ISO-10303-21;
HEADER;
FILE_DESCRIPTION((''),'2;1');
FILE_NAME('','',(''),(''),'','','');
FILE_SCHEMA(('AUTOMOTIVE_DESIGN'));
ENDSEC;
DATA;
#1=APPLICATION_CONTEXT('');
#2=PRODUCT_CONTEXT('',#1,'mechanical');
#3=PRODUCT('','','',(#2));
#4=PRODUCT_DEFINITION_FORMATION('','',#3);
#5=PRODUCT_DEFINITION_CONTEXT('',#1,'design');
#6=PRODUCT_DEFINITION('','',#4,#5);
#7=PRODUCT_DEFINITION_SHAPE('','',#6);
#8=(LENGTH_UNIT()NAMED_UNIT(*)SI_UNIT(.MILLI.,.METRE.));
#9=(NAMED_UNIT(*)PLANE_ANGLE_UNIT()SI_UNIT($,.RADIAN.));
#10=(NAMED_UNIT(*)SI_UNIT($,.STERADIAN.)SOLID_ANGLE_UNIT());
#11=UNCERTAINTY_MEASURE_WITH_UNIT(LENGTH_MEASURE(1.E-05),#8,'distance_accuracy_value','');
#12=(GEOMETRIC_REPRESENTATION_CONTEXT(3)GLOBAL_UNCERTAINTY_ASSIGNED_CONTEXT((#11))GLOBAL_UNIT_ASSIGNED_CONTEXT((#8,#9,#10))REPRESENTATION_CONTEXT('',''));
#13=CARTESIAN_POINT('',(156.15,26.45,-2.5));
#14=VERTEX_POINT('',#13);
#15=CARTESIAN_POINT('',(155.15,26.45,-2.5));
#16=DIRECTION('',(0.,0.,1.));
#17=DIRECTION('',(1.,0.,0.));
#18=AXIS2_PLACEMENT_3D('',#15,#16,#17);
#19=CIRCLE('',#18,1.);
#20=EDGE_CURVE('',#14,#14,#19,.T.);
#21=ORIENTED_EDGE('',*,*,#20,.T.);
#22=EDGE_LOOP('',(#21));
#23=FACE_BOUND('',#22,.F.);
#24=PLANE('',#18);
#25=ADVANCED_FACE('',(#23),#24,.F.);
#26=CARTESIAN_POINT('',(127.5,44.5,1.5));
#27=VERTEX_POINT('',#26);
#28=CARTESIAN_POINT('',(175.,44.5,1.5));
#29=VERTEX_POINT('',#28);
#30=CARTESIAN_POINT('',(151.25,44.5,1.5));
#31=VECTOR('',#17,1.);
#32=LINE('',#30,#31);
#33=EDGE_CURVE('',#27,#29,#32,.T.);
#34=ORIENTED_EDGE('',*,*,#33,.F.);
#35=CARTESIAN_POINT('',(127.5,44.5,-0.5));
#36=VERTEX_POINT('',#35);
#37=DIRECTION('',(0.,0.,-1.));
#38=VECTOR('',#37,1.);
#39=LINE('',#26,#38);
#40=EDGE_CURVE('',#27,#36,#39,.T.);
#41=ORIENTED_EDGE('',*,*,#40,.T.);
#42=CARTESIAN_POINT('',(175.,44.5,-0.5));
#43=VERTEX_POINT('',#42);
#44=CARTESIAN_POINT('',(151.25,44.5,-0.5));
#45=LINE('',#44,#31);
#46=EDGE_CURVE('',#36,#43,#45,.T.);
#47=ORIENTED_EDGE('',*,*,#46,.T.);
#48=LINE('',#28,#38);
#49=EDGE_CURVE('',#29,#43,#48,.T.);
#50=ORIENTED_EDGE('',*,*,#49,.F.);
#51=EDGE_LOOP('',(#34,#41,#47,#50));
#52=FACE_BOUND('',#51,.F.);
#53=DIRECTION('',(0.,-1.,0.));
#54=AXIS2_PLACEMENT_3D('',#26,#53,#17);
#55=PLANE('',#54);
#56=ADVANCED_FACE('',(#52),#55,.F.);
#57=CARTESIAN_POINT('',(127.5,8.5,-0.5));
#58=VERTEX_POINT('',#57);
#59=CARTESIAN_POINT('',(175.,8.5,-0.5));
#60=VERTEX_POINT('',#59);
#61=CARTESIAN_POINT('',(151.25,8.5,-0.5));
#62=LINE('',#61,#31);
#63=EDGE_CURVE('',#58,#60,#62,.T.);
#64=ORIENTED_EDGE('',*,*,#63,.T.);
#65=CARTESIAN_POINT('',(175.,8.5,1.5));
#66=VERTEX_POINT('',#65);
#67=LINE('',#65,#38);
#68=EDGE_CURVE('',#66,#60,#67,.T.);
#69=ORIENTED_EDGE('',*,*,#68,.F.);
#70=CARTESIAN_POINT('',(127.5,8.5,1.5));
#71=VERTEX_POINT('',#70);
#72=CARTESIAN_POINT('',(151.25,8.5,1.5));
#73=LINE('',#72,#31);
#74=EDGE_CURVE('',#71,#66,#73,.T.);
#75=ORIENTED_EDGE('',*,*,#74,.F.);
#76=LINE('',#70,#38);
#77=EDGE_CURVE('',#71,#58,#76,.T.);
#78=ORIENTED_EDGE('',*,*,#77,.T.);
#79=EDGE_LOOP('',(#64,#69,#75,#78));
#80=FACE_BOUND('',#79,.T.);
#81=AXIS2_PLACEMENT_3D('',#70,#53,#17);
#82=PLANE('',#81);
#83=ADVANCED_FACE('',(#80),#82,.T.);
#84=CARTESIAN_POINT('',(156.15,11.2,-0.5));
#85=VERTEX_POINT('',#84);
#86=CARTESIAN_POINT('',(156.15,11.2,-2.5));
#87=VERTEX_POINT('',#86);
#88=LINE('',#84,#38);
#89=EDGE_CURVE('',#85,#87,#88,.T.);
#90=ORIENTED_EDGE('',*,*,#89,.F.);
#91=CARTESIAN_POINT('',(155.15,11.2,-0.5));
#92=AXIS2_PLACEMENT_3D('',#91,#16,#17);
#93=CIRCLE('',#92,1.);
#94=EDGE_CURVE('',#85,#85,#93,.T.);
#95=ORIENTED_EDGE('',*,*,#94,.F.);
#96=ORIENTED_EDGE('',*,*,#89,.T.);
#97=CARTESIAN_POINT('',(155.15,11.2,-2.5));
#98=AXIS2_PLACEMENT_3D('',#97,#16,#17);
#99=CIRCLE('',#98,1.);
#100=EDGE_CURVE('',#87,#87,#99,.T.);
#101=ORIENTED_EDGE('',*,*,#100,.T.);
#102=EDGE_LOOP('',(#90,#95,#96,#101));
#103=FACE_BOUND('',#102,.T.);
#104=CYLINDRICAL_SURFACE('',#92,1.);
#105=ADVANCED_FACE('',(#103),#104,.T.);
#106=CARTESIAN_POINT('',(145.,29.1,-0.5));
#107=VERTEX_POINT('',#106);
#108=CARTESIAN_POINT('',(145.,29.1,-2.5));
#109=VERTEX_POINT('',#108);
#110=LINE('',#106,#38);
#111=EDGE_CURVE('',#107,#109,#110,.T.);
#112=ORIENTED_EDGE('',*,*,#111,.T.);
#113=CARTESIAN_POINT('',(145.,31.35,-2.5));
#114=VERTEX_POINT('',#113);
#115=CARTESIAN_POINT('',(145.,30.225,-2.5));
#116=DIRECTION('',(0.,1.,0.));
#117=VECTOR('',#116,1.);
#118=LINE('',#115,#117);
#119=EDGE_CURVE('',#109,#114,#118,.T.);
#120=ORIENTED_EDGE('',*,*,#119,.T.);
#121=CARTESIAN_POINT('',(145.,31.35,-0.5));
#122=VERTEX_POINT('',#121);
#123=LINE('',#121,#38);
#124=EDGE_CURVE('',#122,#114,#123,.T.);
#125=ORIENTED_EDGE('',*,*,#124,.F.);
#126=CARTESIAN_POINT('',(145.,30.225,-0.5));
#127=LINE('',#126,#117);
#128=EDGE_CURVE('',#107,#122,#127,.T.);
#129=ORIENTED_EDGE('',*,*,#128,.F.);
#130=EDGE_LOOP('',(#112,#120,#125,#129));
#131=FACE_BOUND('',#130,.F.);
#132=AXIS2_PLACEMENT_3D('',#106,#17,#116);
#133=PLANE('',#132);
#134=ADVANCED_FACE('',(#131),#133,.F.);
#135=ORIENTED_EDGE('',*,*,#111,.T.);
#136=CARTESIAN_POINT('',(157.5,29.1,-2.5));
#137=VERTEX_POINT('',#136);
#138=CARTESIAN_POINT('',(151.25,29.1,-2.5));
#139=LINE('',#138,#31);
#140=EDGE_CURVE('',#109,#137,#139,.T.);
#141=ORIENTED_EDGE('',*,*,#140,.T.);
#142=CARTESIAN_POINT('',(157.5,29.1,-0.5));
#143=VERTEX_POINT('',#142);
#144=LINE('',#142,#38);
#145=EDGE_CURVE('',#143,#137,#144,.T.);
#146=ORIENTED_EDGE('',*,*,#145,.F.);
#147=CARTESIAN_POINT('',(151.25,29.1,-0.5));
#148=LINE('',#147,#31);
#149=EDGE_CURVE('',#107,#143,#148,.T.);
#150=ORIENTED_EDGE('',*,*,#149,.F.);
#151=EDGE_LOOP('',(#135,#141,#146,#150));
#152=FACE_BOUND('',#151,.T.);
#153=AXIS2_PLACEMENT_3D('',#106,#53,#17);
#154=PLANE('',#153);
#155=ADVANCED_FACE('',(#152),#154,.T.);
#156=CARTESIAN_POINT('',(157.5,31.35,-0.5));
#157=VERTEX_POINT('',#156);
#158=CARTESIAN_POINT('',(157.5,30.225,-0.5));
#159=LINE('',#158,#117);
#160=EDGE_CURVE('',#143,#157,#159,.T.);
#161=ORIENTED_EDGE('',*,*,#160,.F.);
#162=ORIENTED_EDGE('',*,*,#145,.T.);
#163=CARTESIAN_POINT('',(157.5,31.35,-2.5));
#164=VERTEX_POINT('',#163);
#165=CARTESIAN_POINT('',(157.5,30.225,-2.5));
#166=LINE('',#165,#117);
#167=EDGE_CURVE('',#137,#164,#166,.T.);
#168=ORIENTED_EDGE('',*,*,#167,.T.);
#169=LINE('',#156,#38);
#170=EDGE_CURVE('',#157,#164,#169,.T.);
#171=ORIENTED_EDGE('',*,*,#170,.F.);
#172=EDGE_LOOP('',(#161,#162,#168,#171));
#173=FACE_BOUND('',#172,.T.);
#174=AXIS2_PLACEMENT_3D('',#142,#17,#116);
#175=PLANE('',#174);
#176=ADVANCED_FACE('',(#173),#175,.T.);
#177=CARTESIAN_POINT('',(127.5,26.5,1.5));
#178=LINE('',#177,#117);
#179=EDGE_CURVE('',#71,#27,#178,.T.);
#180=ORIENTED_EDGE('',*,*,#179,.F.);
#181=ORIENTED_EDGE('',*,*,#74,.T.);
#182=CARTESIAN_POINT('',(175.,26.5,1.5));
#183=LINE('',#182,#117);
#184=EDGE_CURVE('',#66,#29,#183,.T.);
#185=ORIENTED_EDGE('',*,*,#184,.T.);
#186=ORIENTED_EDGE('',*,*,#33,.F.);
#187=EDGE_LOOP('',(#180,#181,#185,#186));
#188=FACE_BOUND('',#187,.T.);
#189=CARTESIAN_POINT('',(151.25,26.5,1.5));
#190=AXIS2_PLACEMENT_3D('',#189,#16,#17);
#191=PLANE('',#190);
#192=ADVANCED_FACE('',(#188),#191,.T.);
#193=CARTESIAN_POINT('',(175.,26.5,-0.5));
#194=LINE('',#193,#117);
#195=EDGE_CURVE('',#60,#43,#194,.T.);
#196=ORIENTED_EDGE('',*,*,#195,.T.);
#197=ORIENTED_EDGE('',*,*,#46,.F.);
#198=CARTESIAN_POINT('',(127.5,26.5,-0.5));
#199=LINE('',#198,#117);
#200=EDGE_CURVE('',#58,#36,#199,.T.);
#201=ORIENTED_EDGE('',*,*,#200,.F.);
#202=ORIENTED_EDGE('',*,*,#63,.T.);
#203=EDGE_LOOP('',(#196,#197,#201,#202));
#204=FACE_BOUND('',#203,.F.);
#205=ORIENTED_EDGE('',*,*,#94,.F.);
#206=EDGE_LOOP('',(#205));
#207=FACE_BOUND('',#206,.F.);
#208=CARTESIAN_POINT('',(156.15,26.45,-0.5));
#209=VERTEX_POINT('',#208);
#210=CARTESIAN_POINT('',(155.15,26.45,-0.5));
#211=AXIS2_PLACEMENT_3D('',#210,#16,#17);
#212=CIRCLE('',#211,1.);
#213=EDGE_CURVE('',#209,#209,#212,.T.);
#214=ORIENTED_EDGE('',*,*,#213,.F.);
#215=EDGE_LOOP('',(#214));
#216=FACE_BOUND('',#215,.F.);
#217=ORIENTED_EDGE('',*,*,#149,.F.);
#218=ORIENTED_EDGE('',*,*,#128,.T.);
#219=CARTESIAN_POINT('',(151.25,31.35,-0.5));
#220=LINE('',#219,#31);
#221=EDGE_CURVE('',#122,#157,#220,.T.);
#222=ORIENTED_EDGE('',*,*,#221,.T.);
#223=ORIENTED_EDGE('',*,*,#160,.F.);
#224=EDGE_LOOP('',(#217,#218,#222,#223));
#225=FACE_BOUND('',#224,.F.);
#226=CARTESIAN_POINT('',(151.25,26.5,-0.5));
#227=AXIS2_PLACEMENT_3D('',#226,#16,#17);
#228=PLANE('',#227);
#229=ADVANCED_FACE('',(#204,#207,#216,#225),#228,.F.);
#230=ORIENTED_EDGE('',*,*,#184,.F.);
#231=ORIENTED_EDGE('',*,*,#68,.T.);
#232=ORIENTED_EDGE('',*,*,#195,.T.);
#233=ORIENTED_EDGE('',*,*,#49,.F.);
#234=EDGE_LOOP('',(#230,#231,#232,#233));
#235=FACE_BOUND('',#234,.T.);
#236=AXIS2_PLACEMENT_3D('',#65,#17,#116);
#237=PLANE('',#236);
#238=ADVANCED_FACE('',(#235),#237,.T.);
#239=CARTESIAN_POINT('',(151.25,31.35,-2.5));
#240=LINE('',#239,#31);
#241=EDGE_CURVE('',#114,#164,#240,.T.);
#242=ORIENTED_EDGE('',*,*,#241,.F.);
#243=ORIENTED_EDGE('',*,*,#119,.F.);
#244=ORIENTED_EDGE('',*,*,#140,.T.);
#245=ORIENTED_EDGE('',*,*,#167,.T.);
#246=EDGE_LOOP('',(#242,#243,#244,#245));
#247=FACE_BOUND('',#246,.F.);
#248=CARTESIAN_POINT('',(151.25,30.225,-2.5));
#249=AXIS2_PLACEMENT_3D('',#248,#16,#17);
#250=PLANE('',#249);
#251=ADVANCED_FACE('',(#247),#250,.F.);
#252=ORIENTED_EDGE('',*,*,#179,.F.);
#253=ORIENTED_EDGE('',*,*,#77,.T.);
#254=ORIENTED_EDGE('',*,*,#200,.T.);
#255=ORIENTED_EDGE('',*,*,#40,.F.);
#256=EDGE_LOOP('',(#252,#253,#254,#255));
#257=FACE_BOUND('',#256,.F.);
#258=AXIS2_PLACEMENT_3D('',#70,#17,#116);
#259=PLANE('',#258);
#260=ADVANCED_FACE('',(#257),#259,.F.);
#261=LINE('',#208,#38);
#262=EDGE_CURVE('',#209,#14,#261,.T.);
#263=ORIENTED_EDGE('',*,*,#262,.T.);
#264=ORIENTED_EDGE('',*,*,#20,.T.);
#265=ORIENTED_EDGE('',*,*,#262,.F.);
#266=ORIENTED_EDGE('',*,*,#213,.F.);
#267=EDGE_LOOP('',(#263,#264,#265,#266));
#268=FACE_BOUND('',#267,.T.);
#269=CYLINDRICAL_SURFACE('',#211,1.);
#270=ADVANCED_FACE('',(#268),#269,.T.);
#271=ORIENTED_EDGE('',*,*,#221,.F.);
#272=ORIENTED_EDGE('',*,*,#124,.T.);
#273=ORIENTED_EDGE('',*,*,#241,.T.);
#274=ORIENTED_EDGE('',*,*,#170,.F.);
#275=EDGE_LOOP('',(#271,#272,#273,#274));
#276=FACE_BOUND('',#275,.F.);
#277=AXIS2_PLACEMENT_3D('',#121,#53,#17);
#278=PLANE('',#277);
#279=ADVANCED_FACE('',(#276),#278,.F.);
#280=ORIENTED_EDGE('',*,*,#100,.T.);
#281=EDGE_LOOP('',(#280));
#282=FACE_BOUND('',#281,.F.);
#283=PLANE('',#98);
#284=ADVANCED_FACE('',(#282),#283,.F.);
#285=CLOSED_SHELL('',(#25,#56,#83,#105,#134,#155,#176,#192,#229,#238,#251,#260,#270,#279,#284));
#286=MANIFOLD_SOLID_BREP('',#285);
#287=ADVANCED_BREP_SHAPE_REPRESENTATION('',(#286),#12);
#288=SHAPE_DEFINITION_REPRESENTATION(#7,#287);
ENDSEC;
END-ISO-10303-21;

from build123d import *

# Parameters (mm, degrees)
SKETCH034_R      = 1
SKETCH034_W      = 12.5
SKETCH034_H      = 2.25
EXTRUDE032_DEPTH = 2
SKETCH033_W      = 47.5
SKETCH033_H      = 36
EXTRUDE031_DEPTH = 2


with BuildPart() as extrude032:
    # Sketch034 → Extrude032 (new body)
    with BuildSketch(Plane.XY.offset(-0.5)):
        with Locations((155.15, 11.2)):
            Circle(SKETCH034_R)
        with Locations((155.15, 26.45)):
            Circle(SKETCH034_R)
        with Locations((151.25, 30.225)):
            Rectangle(SKETCH034_W, SKETCH034_H)
    extrude(amount=-EXTRUDE032_DEPTH)


with BuildPart() as sensorsheet:
    # Sketch033 → Extrude031 (new body)
    with BuildSketch(Plane.XY.offset(1.5)):
        with Locations((151.25, 26.5)):
            Rectangle(SKETCH033_W, SKETCH033_H)
    extrude(amount=-EXTRUDE031_DEPTH)

    # Fusion009: union Extrude032
    add(extrude032.part)


solid = sensorsheet.part
